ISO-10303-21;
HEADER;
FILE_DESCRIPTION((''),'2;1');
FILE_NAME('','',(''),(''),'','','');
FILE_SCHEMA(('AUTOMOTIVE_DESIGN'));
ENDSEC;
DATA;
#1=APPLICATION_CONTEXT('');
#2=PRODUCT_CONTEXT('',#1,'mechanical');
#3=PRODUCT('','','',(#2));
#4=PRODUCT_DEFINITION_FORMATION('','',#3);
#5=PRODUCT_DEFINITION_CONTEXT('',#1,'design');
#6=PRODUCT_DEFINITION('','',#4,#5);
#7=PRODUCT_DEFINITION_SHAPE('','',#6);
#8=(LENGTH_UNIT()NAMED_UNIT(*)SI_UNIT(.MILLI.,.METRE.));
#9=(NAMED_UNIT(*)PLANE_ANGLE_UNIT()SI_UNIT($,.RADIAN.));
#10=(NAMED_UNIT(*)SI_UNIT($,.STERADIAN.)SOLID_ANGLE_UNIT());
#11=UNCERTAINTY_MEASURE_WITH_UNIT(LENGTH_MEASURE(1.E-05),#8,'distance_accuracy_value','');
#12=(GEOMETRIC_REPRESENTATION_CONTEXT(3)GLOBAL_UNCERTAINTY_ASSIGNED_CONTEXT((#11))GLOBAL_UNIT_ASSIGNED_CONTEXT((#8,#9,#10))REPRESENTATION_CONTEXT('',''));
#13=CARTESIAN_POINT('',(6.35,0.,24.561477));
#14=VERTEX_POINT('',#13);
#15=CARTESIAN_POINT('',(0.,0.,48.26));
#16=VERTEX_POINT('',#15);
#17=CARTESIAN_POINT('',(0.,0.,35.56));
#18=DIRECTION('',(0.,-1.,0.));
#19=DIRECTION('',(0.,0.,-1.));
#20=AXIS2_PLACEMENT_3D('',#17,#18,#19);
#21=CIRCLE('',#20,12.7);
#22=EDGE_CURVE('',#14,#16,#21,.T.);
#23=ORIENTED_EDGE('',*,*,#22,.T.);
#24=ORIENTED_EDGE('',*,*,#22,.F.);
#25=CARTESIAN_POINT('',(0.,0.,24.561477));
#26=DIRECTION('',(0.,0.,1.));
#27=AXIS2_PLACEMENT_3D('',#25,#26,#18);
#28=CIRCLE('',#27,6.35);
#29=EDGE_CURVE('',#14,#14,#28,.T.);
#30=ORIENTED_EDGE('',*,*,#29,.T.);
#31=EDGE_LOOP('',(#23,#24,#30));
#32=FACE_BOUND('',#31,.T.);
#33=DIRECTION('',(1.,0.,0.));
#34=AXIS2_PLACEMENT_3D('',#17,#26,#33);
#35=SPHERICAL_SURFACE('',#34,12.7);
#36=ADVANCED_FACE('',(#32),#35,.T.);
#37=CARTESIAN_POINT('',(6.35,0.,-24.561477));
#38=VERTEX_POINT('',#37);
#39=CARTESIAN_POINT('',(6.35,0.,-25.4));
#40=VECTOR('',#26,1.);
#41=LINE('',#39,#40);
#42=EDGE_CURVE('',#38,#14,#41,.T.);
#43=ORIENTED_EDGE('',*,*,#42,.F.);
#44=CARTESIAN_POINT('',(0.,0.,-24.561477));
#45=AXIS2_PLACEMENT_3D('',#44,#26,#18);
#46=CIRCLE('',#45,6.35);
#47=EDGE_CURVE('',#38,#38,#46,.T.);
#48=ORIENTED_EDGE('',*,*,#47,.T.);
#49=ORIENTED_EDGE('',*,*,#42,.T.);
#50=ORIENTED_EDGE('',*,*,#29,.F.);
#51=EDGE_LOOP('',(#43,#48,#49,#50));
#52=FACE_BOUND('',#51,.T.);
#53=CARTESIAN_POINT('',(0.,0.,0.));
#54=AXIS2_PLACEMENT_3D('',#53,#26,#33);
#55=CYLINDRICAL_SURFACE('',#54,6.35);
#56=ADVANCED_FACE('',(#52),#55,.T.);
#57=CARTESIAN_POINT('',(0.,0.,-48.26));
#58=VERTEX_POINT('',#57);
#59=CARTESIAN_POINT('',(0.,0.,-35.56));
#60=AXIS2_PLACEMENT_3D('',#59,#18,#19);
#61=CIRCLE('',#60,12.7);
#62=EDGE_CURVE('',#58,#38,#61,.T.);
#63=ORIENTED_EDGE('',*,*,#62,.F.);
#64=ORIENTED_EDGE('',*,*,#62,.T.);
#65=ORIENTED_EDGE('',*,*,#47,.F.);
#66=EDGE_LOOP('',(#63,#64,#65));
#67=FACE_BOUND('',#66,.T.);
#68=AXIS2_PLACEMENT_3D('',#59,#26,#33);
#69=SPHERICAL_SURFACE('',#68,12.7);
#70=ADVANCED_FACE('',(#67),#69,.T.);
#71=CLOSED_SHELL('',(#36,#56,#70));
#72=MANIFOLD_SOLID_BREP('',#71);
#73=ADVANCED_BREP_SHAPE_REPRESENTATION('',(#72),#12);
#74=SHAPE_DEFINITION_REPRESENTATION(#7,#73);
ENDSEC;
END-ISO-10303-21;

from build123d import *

# Parameters (mm, degrees)
F0_R     = 6.35
F1_DEPTH = 25.4


with BuildPart() as f1:
    # F0 (on Top) → F1 (new body, symmetric)
    with BuildSketch(Plane.XY):
        Circle(F0_R)
    extrude(amount=F1_DEPTH, both=True)

    # F2 (on Front) → F3 (revolve)
    with BuildSketch(Plane.XZ):
        with BuildLine():
            Line((0, 48.26), (0, 22.86))
            ThreePointArc((0, 22.86), (12.7, 35.56), (0, 48.26))
        make_face()
        with BuildLine():
            ThreePointArc((0, -48.26), (12.7, -35.56), (0, -22.86))
            Line((0, -22.86), (0, -48.26))
        make_face()
    revolve(axis=Axis((0, 0, 35.56), (0, 0, 1)))


solid = f1.part
